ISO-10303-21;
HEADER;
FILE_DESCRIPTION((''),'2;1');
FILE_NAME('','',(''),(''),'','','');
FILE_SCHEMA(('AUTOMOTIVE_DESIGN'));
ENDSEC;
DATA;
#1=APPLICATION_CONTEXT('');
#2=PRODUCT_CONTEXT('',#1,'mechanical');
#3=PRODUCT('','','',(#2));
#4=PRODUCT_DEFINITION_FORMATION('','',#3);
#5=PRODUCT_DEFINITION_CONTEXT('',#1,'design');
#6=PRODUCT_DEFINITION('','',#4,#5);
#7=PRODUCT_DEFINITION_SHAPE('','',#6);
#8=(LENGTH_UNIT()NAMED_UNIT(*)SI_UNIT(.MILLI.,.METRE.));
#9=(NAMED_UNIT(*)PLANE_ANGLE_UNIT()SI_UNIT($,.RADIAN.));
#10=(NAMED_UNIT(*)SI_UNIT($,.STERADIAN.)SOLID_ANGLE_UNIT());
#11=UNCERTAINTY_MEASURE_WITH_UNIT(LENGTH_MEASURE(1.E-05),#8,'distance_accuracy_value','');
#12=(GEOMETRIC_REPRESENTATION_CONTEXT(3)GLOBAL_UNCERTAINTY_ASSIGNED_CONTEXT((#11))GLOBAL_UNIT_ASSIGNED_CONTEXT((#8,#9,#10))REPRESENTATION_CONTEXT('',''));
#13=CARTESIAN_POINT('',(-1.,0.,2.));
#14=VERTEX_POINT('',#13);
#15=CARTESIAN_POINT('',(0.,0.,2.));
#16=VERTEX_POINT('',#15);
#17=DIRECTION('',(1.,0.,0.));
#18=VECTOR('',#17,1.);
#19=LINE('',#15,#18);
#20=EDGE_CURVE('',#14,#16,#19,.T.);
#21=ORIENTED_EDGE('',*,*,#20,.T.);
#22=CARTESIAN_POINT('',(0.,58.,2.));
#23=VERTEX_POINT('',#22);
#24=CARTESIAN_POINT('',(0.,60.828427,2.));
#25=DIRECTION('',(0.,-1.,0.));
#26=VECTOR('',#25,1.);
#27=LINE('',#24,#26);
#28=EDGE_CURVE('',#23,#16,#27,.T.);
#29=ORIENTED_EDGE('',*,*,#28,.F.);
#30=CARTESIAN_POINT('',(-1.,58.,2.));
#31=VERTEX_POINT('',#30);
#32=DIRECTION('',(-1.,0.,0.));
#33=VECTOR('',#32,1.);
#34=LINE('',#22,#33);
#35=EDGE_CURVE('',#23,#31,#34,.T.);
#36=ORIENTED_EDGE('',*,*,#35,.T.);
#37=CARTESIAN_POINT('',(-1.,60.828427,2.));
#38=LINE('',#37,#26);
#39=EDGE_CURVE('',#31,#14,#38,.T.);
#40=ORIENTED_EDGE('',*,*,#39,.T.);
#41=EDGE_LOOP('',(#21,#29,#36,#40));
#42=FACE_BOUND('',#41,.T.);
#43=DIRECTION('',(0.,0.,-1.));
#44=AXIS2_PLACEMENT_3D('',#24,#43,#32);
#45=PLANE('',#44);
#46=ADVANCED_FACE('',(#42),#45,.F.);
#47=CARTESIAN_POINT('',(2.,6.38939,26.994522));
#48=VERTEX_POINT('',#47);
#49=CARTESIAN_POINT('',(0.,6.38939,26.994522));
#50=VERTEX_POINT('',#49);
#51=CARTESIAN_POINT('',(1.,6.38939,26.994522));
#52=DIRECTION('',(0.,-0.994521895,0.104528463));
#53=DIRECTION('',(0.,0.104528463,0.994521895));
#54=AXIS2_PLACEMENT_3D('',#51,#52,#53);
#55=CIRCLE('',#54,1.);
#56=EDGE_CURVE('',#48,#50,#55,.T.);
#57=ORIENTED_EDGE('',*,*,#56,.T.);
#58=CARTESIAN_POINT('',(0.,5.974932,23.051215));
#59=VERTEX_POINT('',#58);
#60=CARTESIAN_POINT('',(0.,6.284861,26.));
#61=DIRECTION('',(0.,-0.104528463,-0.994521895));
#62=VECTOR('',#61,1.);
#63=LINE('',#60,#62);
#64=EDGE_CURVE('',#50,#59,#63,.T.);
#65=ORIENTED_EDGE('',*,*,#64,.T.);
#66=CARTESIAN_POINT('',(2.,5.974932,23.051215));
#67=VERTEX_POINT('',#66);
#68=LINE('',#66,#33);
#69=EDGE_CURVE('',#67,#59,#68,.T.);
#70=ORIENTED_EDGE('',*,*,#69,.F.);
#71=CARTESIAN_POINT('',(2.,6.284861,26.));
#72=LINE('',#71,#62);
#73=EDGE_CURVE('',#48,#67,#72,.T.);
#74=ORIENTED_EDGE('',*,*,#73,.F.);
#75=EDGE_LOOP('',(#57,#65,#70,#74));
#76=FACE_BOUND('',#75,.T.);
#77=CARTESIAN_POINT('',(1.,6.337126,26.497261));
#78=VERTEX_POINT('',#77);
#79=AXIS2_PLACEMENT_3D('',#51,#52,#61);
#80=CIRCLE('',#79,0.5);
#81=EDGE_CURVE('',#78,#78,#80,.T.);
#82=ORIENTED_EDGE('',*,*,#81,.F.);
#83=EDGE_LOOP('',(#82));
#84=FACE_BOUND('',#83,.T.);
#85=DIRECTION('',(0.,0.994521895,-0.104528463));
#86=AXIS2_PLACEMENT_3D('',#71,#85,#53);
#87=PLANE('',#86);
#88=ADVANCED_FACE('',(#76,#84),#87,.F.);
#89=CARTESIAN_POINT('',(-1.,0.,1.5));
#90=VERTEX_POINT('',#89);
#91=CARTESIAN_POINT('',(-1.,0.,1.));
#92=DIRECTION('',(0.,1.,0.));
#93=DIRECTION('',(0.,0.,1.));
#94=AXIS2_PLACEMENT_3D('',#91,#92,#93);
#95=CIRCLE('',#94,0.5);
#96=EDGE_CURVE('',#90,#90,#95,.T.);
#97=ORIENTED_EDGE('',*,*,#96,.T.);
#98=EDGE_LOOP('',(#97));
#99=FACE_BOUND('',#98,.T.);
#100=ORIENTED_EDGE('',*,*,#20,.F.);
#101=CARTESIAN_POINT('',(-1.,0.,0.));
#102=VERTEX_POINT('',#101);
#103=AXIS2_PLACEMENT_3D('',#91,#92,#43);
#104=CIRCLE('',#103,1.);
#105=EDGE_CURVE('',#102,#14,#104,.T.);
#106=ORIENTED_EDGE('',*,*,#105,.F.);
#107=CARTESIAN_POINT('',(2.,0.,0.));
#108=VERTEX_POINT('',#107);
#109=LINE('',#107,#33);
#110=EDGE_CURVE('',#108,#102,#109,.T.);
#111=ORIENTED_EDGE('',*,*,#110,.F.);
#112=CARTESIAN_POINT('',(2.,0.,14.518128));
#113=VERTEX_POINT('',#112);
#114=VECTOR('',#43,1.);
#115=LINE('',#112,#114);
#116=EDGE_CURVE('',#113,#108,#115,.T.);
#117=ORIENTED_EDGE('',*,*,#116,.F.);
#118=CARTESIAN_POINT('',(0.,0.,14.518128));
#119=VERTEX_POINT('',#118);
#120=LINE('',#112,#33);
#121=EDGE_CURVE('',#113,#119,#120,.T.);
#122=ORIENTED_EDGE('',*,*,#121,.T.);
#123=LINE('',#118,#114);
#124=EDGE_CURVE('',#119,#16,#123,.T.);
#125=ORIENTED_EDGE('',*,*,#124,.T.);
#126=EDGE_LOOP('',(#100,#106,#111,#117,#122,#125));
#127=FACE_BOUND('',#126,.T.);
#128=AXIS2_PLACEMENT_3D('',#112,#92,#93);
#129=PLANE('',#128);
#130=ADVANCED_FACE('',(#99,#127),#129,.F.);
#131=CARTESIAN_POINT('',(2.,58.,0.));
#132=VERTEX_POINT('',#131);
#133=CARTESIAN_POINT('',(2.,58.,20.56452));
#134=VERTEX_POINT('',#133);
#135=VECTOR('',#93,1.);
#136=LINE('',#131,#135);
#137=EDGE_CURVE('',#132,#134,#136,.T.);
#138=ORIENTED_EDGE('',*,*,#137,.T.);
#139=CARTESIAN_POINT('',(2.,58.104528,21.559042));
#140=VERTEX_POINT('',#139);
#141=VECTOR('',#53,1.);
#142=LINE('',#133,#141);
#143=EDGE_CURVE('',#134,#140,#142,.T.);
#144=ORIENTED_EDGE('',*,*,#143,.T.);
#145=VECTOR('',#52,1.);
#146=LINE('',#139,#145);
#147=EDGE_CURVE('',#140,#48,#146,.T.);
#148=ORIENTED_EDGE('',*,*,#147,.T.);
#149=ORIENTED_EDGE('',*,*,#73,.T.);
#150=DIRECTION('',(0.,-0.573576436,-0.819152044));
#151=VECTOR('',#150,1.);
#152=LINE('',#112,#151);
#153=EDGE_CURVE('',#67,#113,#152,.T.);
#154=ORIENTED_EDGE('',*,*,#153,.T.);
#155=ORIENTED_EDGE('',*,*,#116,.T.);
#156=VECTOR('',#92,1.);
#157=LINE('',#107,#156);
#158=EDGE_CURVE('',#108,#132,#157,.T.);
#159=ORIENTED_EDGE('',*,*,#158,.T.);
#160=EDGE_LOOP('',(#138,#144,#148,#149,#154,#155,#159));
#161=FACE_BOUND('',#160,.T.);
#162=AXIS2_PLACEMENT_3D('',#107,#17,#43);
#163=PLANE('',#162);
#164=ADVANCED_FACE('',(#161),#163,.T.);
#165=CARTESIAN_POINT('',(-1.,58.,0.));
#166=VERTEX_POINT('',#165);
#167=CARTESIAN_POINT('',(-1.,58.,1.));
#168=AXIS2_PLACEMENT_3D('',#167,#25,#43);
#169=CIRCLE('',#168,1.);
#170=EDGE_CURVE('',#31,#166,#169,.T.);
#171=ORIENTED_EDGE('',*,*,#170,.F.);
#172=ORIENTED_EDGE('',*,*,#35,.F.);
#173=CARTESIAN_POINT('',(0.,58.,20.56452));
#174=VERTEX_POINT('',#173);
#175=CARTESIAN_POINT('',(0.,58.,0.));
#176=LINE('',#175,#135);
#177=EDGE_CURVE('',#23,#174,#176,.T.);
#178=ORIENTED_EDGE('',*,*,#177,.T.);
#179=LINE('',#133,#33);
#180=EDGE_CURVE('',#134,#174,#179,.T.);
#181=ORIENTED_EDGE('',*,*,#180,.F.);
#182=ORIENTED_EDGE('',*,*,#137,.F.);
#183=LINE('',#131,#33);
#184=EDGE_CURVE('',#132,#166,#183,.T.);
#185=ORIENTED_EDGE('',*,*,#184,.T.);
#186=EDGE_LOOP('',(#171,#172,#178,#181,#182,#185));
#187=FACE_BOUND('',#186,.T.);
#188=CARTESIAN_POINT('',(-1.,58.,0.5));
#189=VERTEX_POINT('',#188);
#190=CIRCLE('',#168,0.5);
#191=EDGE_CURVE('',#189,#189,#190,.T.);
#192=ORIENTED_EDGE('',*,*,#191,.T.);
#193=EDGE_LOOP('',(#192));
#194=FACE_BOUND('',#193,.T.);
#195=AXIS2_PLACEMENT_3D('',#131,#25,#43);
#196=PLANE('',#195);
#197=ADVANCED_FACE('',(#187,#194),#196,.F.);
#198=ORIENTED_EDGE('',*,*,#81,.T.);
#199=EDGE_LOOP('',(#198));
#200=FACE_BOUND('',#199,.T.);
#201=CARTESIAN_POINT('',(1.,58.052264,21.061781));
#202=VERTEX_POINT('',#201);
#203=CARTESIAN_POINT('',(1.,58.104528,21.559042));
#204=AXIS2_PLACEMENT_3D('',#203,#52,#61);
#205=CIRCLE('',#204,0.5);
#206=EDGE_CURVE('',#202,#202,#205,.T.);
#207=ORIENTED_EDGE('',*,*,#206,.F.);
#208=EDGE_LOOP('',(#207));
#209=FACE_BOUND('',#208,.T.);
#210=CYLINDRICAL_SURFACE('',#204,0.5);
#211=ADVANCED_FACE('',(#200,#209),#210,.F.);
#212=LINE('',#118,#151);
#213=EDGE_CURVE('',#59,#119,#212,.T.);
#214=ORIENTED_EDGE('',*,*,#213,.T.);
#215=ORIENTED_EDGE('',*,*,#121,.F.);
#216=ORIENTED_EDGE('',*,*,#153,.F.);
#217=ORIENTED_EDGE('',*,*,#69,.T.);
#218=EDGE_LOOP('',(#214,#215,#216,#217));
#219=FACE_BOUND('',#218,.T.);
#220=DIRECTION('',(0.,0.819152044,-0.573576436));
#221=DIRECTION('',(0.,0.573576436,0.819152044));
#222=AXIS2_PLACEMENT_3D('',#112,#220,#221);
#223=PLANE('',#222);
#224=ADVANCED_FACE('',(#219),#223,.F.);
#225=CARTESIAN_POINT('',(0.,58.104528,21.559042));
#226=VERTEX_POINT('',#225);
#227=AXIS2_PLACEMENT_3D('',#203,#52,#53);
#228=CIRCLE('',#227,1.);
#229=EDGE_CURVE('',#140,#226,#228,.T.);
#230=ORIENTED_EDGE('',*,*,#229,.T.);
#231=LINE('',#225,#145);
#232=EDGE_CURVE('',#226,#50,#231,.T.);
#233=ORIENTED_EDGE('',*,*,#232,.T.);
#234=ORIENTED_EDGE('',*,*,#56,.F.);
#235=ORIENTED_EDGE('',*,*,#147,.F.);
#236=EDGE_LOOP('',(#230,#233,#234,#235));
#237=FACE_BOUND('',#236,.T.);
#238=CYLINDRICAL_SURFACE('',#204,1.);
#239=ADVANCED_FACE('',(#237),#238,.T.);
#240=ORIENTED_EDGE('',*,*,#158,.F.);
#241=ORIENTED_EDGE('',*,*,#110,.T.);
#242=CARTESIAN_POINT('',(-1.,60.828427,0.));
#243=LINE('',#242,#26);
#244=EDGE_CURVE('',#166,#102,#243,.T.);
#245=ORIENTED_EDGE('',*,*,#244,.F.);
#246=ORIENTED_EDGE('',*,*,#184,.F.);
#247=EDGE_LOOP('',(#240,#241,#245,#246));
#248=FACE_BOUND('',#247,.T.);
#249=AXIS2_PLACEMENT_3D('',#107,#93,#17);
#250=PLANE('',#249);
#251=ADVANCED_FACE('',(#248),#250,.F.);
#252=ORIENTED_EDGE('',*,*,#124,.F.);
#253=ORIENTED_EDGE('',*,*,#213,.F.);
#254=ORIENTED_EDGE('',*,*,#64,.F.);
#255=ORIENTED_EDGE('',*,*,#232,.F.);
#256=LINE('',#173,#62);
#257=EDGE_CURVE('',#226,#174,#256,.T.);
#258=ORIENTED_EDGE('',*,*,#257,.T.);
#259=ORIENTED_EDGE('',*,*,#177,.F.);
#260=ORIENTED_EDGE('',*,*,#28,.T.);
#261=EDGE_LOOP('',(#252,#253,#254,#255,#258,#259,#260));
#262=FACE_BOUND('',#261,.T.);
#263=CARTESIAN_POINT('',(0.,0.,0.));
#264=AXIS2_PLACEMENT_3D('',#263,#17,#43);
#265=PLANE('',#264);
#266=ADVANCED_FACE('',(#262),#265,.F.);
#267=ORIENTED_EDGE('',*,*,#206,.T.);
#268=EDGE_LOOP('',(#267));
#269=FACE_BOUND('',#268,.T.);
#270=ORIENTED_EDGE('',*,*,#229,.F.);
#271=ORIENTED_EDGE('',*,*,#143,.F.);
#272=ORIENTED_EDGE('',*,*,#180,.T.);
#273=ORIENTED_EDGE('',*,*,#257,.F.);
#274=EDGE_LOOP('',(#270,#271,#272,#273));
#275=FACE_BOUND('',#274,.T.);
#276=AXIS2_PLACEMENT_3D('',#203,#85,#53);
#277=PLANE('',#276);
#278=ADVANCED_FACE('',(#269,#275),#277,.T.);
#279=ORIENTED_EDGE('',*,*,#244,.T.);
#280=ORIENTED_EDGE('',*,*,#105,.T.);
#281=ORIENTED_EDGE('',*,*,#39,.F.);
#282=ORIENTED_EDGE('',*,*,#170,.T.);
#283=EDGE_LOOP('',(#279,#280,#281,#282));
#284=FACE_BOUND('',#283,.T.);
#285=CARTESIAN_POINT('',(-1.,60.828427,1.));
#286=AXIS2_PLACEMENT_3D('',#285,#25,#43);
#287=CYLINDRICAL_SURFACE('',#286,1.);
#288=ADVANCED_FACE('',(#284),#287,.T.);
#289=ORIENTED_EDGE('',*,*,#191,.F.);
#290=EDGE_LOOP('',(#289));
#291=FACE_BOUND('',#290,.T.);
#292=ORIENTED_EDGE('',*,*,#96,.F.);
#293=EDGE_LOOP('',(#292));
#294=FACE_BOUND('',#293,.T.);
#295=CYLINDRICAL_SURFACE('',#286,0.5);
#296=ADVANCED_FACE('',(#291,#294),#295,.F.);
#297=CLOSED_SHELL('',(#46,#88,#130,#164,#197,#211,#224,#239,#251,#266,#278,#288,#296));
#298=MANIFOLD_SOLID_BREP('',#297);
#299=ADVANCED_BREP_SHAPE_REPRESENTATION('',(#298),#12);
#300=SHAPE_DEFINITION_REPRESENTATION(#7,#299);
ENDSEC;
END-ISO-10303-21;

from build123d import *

# Parameters (mm, degrees)
EXTRUDE_1_DEPTH = 2
SKETCH_3_R      = 0.5
EXTRUDE_3_DEPTH = 52
SKETCH_4_R      = 0.5
EXTRUDE_4_DEPTH = 58


with BuildPart() as part:
    # Эскиз1 → Бобышка-Вытянуть1 (new body)
    with BuildSketch(Plane(origin=(0, 0, 0), x_dir=(0, 0, -1), z_dir=(1, 0, 0))):
        Polygon((-26, 6.284861441), (-23.051215157, 5.974931665), (-14.51812841, 0), (0, 0), (0, 58), (-20.56451991, 58), align=None)
    extrude(amount=EXTRUDE_1_DEPTH)

    # Эскиз3 → Бобышка-Вытянуть3 (add)
    with BuildSketch(Plane(origin=(0, 3.513339809, -0.369266894), x_dir=(1, 0, 0), z_dir=(0, -0.9945218953682733, 0.10452846326765391))):
        with BuildLine():
            Line((0, 26.514516188), (0, 27.514516188))
            ThreePointArc((0, 27.514516188), (1, 28.514516188), (2, 27.514516188))
            Line((2, 27.514516188), (2, 26.514516188))
            Line((2, 26.514516188), (0, 26.514516188))
        make_face()
        with Locations(Location((1, 27.514516188, 0), (0, 0, 270))):
            Circle(SKETCH_3_R, mode=Mode.SUBTRACT)
    extrude(amount=-EXTRUDE_3_DEPTH)

    # Эскиз4 → Бобышка-Вытянуть4 (add)
    with BuildSketch(Plane(origin=(0, 0, 0), x_dir=(1, 0, 0), z_dir=(0, 1, 0))):
        with BuildLine():
            Line((-1, 0), (0, 0))
            Line((0, 0), (0, -2))
            Line((0, -2), (-1, -2))
            ThreePointArc((-1, -2), (-2, -1), (-1, 0))
        make_face()
        with Locations(Location((-1, -1, 0), (0, 0, 90))):
            Circle(SKETCH_4_R, mode=Mode.SUBTRACT)
    extrude(amount=EXTRUDE_4_DEPTH)


solid = part.part
